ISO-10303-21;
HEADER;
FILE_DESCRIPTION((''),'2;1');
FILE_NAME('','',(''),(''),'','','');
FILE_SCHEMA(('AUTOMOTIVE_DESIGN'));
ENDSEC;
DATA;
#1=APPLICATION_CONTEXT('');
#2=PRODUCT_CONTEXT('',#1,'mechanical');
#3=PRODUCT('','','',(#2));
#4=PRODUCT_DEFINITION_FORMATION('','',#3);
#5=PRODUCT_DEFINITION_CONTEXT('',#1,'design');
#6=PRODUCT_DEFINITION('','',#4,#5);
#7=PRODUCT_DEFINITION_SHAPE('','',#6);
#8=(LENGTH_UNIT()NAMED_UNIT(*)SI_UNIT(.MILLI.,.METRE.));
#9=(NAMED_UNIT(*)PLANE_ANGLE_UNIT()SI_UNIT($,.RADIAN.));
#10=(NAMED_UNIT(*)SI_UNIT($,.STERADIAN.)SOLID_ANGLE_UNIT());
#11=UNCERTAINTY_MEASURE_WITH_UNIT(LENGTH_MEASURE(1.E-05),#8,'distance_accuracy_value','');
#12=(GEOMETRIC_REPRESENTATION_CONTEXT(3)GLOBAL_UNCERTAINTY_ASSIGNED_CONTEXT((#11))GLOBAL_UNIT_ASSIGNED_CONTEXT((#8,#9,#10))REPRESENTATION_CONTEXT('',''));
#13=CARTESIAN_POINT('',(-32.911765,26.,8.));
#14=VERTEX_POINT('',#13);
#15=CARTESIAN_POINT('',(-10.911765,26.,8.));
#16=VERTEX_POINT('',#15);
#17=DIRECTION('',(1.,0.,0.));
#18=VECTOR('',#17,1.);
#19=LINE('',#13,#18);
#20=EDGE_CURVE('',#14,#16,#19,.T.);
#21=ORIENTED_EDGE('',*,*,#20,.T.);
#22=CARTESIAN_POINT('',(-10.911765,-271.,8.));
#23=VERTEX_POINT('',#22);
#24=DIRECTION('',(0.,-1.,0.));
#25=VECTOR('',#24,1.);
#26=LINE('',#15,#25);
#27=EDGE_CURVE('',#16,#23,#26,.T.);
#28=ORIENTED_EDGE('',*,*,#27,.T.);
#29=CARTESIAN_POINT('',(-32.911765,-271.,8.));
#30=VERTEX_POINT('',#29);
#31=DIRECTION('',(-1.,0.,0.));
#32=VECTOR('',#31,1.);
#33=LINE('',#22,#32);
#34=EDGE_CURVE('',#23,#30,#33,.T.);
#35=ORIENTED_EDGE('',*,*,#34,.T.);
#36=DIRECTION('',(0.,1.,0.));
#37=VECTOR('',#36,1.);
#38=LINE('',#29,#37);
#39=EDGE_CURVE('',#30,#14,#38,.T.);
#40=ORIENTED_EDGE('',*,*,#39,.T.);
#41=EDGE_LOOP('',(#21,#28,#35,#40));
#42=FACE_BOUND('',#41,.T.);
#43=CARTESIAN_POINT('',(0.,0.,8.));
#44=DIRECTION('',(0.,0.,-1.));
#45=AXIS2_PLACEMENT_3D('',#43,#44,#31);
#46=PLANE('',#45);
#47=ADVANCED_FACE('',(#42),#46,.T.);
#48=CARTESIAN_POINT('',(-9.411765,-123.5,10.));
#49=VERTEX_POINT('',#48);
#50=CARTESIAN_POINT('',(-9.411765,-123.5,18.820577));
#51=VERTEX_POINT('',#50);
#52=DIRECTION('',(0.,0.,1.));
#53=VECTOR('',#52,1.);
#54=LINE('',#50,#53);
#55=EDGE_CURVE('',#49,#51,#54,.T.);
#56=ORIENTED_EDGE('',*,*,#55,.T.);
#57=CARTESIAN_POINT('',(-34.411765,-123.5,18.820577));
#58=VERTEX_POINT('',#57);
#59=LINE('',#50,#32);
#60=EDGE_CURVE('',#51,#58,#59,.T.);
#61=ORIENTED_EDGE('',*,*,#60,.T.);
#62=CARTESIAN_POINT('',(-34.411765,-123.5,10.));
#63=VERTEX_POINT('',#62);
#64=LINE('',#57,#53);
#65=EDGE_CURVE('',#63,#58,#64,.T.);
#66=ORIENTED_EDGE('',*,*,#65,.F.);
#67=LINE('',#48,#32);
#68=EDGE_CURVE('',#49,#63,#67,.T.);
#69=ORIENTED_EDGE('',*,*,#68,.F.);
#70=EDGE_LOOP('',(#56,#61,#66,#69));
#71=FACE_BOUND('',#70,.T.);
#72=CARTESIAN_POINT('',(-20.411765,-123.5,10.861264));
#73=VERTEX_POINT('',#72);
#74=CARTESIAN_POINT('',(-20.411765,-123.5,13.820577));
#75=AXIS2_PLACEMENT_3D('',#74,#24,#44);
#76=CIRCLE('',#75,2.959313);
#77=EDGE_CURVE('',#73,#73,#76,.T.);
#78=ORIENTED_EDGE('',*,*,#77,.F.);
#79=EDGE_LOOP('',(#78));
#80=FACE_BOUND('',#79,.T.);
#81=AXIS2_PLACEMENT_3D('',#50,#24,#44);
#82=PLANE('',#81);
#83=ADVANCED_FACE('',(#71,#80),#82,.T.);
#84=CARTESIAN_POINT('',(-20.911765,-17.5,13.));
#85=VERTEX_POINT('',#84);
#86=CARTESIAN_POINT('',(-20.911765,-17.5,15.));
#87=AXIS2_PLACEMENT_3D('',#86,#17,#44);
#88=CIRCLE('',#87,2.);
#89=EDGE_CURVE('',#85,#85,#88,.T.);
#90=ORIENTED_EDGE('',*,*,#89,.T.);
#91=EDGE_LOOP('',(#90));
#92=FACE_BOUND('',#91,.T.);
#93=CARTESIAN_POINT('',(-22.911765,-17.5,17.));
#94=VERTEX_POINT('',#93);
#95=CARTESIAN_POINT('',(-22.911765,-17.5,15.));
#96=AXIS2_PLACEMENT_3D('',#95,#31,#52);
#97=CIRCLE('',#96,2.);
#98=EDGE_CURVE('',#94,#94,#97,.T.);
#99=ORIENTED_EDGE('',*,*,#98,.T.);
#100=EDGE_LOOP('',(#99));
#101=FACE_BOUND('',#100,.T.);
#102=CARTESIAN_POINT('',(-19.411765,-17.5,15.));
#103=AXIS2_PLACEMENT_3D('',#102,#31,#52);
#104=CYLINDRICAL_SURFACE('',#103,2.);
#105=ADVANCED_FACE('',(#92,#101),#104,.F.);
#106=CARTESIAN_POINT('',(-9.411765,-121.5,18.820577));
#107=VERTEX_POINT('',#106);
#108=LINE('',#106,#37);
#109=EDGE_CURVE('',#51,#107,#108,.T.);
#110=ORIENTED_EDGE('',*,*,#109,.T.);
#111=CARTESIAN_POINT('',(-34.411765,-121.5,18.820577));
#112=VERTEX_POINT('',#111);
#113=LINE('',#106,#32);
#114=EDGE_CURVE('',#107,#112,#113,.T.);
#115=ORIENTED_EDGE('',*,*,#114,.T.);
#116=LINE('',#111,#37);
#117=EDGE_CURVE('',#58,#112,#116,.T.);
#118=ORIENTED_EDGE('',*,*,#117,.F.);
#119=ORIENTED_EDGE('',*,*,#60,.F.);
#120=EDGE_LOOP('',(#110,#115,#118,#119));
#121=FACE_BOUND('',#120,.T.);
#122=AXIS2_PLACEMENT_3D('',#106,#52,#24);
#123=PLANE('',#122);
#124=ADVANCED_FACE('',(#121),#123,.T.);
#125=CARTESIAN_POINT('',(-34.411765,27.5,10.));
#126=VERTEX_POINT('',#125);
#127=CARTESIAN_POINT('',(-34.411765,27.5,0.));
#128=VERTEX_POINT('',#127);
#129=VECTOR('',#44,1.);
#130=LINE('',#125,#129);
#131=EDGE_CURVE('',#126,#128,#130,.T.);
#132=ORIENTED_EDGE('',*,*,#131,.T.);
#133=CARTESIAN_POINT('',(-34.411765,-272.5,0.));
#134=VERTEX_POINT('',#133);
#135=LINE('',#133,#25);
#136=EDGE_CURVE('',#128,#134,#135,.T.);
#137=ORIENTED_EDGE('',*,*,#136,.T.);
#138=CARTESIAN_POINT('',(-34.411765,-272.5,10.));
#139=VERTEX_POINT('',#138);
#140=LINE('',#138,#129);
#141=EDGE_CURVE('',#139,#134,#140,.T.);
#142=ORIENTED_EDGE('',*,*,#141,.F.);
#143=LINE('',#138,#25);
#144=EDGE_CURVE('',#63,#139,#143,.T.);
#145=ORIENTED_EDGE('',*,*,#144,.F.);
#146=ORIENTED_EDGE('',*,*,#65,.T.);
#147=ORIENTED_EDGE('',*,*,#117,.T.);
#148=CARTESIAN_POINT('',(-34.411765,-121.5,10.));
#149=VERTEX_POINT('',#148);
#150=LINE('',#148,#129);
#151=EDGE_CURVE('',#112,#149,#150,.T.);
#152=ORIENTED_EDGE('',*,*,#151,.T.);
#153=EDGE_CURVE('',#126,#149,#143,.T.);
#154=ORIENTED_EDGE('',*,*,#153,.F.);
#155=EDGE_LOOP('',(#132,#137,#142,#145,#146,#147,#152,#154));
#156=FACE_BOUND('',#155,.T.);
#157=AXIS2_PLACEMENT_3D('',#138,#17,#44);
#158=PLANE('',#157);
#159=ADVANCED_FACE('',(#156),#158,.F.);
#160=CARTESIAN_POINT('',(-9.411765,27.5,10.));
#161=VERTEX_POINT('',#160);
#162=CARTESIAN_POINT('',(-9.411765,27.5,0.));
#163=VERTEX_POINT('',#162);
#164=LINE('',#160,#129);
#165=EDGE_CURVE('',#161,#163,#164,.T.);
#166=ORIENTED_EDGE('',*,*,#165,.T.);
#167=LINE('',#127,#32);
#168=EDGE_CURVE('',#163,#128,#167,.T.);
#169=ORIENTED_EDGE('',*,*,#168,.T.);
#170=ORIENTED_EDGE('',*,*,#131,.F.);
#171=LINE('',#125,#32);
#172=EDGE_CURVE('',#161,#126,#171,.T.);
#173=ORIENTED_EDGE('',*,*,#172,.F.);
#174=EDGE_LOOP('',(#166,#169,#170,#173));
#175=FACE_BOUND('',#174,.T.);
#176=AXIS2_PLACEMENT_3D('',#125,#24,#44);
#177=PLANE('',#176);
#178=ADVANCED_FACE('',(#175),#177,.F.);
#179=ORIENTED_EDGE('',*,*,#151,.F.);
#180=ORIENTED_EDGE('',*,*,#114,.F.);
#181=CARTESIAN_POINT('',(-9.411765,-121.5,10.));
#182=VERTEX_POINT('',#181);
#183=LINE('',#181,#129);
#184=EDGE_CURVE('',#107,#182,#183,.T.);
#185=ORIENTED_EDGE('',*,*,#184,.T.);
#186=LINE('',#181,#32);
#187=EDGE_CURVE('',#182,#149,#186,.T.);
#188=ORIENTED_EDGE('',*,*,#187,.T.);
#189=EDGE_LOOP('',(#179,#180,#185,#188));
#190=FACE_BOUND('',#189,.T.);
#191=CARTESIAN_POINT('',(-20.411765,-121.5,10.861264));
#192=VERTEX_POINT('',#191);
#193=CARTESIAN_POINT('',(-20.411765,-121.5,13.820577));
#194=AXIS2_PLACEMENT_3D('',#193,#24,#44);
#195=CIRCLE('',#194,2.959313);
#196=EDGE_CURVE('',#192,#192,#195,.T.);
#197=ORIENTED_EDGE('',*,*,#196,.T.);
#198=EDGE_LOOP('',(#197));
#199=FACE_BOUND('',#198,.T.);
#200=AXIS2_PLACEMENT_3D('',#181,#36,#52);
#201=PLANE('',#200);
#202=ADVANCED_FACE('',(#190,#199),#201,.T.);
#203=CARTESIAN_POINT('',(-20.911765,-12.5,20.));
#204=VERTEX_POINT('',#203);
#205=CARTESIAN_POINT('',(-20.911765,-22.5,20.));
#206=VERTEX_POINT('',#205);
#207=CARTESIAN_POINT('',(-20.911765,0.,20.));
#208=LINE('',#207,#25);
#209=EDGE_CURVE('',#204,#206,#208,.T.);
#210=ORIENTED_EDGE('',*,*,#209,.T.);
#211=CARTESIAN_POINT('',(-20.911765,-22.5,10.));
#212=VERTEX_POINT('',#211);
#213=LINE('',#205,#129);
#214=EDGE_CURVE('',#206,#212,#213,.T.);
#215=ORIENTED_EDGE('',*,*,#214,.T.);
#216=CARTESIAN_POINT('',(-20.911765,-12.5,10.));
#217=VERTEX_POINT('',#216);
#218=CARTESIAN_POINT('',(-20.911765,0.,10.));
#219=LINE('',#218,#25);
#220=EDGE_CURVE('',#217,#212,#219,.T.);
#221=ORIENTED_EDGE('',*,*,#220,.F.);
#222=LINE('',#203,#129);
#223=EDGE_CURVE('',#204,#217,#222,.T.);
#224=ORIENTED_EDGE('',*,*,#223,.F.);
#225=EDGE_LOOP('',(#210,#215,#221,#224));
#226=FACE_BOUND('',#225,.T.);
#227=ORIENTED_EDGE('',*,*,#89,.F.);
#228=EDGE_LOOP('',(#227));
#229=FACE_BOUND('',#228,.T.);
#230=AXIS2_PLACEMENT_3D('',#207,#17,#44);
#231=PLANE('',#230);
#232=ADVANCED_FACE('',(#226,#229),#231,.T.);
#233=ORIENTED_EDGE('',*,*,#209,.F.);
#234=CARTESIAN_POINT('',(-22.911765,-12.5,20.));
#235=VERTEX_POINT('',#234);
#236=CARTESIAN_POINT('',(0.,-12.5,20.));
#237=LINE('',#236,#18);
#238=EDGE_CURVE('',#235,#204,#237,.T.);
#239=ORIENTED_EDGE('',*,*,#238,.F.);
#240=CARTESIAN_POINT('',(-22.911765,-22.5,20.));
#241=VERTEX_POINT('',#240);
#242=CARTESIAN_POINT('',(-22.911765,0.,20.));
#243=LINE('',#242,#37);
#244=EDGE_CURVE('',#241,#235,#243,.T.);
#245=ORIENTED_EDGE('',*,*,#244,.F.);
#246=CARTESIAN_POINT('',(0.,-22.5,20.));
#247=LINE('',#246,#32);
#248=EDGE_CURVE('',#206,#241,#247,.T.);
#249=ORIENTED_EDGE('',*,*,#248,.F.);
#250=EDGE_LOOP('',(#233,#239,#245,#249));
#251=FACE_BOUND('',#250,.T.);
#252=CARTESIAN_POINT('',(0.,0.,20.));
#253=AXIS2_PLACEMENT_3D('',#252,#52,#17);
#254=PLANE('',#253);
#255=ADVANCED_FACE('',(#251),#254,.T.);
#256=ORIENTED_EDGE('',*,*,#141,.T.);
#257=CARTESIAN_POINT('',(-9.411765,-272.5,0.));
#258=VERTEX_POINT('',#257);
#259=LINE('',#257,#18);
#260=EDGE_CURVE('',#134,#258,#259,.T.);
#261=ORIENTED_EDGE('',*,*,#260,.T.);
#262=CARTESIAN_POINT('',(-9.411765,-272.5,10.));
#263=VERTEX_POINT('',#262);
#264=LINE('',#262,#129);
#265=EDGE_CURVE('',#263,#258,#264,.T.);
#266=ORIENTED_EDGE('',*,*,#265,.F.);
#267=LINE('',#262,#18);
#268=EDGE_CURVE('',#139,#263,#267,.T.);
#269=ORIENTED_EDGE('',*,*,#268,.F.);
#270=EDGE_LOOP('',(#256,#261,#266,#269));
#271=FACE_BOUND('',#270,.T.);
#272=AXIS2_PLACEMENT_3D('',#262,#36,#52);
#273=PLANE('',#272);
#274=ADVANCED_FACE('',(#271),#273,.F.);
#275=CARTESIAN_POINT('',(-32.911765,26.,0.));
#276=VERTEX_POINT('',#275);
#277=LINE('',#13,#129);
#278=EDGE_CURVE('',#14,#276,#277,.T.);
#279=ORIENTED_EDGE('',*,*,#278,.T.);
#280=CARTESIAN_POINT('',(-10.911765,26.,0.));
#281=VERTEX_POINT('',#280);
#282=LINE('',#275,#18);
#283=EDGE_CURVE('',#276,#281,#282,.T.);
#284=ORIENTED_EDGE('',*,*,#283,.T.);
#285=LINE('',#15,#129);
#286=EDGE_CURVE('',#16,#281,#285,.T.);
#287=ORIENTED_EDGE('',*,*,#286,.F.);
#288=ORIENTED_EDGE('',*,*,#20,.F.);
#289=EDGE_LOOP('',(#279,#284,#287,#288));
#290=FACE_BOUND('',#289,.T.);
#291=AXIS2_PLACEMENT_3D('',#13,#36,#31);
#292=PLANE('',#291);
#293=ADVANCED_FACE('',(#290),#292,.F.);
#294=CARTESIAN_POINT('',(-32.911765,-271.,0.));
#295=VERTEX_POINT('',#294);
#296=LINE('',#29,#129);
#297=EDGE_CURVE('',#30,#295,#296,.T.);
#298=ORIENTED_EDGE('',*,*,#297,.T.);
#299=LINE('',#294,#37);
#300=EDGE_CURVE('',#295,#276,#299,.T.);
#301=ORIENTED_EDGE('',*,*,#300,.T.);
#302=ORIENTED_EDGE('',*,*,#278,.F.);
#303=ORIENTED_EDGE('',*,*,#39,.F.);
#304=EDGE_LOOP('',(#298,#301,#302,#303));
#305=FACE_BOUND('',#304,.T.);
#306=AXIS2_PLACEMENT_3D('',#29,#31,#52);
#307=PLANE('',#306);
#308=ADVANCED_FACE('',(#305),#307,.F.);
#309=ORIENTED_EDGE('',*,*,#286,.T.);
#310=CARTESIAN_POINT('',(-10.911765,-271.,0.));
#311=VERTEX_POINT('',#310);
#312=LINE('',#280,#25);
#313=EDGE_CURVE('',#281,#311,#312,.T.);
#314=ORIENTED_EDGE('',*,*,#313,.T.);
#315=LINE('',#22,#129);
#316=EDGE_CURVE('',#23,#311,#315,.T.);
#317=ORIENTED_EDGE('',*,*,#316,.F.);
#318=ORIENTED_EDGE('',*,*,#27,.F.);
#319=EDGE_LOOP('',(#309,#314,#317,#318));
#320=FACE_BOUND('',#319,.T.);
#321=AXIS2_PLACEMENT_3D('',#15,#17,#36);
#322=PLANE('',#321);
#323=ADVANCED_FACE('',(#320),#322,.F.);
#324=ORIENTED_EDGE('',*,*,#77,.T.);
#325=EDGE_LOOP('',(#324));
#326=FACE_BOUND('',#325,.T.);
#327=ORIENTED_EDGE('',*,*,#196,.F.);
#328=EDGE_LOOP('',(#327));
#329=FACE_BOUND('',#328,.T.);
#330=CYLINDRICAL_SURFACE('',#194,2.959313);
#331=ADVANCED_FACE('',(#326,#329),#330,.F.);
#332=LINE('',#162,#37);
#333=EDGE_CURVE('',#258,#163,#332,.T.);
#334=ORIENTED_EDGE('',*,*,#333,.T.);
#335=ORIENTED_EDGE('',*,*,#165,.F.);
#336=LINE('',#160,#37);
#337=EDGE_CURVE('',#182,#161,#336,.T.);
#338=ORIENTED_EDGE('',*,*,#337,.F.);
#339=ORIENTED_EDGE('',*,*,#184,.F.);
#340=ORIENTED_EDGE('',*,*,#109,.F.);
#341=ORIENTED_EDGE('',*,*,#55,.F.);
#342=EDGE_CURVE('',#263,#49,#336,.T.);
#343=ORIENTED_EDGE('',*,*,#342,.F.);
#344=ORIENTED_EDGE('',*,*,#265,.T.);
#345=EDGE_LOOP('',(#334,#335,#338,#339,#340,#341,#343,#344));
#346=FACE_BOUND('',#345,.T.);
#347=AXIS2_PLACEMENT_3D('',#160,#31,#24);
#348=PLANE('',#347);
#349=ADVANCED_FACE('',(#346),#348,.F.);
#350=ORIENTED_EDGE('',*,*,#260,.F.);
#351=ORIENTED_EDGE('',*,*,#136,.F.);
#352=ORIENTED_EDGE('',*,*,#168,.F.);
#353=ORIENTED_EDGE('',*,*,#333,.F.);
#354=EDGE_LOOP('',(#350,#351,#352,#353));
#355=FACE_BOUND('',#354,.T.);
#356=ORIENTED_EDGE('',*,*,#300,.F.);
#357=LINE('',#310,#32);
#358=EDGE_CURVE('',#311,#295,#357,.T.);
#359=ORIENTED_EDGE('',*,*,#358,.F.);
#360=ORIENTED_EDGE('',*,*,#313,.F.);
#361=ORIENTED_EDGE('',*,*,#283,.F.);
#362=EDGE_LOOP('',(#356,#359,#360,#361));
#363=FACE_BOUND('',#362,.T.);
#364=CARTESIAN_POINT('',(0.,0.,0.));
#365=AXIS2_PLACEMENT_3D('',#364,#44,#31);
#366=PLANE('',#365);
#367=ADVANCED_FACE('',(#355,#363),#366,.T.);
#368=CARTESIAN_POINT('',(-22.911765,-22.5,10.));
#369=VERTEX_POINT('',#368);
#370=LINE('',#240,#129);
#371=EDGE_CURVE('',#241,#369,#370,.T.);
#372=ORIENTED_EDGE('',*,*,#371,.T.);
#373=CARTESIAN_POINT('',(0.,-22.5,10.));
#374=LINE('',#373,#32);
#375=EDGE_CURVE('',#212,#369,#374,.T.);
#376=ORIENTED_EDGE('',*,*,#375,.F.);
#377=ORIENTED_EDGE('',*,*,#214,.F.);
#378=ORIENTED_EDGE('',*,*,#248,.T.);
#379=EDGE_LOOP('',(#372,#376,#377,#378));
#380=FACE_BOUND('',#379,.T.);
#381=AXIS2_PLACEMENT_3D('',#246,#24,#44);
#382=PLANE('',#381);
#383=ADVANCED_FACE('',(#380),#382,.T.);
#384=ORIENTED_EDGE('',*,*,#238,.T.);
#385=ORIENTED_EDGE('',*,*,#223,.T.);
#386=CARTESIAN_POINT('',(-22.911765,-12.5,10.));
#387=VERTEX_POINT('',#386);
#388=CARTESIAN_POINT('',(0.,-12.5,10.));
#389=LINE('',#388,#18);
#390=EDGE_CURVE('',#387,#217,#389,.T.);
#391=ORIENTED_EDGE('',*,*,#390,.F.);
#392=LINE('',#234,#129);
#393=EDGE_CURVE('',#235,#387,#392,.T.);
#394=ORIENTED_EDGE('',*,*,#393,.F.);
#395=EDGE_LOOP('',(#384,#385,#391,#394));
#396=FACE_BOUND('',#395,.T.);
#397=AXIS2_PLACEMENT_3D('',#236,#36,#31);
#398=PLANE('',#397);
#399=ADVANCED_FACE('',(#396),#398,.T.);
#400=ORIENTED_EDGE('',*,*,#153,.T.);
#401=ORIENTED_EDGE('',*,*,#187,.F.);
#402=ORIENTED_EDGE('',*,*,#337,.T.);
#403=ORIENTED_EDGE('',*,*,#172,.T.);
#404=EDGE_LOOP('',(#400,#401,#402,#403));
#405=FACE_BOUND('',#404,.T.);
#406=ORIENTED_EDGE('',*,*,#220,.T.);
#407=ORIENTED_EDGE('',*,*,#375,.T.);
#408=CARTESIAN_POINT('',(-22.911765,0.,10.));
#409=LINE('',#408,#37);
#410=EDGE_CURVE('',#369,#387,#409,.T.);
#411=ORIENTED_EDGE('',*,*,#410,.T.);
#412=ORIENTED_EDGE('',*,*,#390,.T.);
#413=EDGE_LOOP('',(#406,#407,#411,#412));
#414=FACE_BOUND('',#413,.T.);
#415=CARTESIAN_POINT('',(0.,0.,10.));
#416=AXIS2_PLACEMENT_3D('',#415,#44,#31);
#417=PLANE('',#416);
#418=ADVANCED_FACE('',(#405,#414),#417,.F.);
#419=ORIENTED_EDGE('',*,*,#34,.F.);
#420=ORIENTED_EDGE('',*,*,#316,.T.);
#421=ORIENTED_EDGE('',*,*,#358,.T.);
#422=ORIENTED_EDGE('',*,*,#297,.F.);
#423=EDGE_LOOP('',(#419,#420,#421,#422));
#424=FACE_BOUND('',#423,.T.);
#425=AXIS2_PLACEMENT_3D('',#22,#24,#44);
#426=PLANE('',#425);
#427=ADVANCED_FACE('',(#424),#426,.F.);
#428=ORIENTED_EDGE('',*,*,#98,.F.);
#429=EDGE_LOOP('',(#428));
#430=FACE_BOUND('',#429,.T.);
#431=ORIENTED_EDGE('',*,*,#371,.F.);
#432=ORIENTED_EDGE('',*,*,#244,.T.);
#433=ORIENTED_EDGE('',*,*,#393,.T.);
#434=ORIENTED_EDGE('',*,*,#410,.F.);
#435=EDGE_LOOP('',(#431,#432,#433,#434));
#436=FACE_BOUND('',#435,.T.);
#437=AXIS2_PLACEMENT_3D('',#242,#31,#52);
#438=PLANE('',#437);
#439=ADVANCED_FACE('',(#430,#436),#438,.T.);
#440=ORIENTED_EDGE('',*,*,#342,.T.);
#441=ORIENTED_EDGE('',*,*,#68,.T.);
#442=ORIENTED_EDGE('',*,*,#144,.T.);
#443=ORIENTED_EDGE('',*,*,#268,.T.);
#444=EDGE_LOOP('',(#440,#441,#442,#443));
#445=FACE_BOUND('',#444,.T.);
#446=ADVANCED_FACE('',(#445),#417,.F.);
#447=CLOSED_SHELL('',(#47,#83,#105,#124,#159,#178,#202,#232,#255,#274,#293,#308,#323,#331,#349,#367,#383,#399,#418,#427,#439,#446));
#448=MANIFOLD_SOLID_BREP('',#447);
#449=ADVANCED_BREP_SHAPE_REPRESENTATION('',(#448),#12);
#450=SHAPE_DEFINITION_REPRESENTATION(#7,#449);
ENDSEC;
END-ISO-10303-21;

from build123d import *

# Parameters (mm, degrees)
SKETCH1_W           = 25
SKETCH1_H           = 300
SKETCH1_W_2         = 22
SKETCH1_H_2         = 297
BOSS_EXTRUDE1_DEPTH = 10
SKETCH3_W           = 22
SKETCH3_H           = 297
BOSS_EXTRUDE2_DEPTH = 1.5
BOSS_EXTRUDE3_DEPTH = 25
SKETCH7_R           = 2.959313076
CUT_EXTRUDE1_DEPTH  = 2
SKETCH9_W           = 2
SKETCH9_H           = 10
BOSS_EXTRUDE4_DEPTH = 10
SKETCH10_R          = 2
CUT_EXTRUDE2_DEPTH  = 15
SKETCH11_W          = 22
SKETCH11_H          = 297
CUT_EXTRUDE7_DEPTH  = 8


with BuildPart() as part:
    # Sketch1 → Boss-Extrude1 (new body)
    with BuildSketch(Plane.XY):
        with Locations((-21.911764706, -122.5)):
            Rectangle(SKETCH1_W, SKETCH1_H)
        with Locations((-21.911764706, -122.5)):
            Rectangle(SKETCH1_W_2, SKETCH1_H_2, mode=Mode.SUBTRACT)
    extrude(amount=BOSS_EXTRUDE1_DEPTH)

    # Sketch3 → Boss-Extrude2 (add)
    with BuildSketch(Plane.XY.offset(10)):
        with Locations((-21.911764706, -122.5)):
            Rectangle(SKETCH3_W, SKETCH3_H)
    extrude(amount=-BOSS_EXTRUDE2_DEPTH)

    # Sketch6 → Boss-Extrude3 (add)
    with BuildSketch(Plane.ZY.offset(34.411764706)):
        Polygon((10, -121.5), (18.820577113, -121.5), (18.820577113, -123.5), (10, -123.5), (10, -272.5), (0, -272.5), (0, 27.5), (10, 27.5), align=None)
    extrude(amount=-BOSS_EXTRUDE3_DEPTH)

    # Sketch7 → Cut-Extrude1 (cut)
    with BuildSketch(Plane.XZ.offset(123.5)):
        with Locations(Location((-20.411764706, 13.820577113, 0), (0, 0, 270))):
            Circle(SKETCH7_R)
    extrude(amount=-CUT_EXTRUDE1_DEPTH, mode=Mode.SUBTRACT)

    # Sketch9 → Boss-Extrude4 (add)
    with BuildSketch(Plane.XY.offset(10)):
        with Locations((-21.911764706, -17.5)):
            Rectangle(SKETCH9_W, SKETCH9_H)
    extrude(amount=BOSS_EXTRUDE4_DEPTH)

    # Sketch10 → Cut-Extrude2 (cut)
    with BuildSketch(Plane.ZY.offset(34.411764706)):
        with Locations((15, -17.5)):
            Circle(SKETCH10_R)
    extrude(amount=-CUT_EXTRUDE2_DEPTH, mode=Mode.SUBTRACT)

    # Sketch11 → Cut-Extrude7 (cut)
    with BuildSketch(Plane(origin=(0, 0, 0), x_dir=(-1, 0, 0), z_dir=(0, 0, -1))):
        with Locations((21.911764706, -122.5)):
            Rectangle(SKETCH11_W, SKETCH11_H)
    extrude(amount=-CUT_EXTRUDE7_DEPTH, mode=Mode.SUBTRACT)


solid = part.part
